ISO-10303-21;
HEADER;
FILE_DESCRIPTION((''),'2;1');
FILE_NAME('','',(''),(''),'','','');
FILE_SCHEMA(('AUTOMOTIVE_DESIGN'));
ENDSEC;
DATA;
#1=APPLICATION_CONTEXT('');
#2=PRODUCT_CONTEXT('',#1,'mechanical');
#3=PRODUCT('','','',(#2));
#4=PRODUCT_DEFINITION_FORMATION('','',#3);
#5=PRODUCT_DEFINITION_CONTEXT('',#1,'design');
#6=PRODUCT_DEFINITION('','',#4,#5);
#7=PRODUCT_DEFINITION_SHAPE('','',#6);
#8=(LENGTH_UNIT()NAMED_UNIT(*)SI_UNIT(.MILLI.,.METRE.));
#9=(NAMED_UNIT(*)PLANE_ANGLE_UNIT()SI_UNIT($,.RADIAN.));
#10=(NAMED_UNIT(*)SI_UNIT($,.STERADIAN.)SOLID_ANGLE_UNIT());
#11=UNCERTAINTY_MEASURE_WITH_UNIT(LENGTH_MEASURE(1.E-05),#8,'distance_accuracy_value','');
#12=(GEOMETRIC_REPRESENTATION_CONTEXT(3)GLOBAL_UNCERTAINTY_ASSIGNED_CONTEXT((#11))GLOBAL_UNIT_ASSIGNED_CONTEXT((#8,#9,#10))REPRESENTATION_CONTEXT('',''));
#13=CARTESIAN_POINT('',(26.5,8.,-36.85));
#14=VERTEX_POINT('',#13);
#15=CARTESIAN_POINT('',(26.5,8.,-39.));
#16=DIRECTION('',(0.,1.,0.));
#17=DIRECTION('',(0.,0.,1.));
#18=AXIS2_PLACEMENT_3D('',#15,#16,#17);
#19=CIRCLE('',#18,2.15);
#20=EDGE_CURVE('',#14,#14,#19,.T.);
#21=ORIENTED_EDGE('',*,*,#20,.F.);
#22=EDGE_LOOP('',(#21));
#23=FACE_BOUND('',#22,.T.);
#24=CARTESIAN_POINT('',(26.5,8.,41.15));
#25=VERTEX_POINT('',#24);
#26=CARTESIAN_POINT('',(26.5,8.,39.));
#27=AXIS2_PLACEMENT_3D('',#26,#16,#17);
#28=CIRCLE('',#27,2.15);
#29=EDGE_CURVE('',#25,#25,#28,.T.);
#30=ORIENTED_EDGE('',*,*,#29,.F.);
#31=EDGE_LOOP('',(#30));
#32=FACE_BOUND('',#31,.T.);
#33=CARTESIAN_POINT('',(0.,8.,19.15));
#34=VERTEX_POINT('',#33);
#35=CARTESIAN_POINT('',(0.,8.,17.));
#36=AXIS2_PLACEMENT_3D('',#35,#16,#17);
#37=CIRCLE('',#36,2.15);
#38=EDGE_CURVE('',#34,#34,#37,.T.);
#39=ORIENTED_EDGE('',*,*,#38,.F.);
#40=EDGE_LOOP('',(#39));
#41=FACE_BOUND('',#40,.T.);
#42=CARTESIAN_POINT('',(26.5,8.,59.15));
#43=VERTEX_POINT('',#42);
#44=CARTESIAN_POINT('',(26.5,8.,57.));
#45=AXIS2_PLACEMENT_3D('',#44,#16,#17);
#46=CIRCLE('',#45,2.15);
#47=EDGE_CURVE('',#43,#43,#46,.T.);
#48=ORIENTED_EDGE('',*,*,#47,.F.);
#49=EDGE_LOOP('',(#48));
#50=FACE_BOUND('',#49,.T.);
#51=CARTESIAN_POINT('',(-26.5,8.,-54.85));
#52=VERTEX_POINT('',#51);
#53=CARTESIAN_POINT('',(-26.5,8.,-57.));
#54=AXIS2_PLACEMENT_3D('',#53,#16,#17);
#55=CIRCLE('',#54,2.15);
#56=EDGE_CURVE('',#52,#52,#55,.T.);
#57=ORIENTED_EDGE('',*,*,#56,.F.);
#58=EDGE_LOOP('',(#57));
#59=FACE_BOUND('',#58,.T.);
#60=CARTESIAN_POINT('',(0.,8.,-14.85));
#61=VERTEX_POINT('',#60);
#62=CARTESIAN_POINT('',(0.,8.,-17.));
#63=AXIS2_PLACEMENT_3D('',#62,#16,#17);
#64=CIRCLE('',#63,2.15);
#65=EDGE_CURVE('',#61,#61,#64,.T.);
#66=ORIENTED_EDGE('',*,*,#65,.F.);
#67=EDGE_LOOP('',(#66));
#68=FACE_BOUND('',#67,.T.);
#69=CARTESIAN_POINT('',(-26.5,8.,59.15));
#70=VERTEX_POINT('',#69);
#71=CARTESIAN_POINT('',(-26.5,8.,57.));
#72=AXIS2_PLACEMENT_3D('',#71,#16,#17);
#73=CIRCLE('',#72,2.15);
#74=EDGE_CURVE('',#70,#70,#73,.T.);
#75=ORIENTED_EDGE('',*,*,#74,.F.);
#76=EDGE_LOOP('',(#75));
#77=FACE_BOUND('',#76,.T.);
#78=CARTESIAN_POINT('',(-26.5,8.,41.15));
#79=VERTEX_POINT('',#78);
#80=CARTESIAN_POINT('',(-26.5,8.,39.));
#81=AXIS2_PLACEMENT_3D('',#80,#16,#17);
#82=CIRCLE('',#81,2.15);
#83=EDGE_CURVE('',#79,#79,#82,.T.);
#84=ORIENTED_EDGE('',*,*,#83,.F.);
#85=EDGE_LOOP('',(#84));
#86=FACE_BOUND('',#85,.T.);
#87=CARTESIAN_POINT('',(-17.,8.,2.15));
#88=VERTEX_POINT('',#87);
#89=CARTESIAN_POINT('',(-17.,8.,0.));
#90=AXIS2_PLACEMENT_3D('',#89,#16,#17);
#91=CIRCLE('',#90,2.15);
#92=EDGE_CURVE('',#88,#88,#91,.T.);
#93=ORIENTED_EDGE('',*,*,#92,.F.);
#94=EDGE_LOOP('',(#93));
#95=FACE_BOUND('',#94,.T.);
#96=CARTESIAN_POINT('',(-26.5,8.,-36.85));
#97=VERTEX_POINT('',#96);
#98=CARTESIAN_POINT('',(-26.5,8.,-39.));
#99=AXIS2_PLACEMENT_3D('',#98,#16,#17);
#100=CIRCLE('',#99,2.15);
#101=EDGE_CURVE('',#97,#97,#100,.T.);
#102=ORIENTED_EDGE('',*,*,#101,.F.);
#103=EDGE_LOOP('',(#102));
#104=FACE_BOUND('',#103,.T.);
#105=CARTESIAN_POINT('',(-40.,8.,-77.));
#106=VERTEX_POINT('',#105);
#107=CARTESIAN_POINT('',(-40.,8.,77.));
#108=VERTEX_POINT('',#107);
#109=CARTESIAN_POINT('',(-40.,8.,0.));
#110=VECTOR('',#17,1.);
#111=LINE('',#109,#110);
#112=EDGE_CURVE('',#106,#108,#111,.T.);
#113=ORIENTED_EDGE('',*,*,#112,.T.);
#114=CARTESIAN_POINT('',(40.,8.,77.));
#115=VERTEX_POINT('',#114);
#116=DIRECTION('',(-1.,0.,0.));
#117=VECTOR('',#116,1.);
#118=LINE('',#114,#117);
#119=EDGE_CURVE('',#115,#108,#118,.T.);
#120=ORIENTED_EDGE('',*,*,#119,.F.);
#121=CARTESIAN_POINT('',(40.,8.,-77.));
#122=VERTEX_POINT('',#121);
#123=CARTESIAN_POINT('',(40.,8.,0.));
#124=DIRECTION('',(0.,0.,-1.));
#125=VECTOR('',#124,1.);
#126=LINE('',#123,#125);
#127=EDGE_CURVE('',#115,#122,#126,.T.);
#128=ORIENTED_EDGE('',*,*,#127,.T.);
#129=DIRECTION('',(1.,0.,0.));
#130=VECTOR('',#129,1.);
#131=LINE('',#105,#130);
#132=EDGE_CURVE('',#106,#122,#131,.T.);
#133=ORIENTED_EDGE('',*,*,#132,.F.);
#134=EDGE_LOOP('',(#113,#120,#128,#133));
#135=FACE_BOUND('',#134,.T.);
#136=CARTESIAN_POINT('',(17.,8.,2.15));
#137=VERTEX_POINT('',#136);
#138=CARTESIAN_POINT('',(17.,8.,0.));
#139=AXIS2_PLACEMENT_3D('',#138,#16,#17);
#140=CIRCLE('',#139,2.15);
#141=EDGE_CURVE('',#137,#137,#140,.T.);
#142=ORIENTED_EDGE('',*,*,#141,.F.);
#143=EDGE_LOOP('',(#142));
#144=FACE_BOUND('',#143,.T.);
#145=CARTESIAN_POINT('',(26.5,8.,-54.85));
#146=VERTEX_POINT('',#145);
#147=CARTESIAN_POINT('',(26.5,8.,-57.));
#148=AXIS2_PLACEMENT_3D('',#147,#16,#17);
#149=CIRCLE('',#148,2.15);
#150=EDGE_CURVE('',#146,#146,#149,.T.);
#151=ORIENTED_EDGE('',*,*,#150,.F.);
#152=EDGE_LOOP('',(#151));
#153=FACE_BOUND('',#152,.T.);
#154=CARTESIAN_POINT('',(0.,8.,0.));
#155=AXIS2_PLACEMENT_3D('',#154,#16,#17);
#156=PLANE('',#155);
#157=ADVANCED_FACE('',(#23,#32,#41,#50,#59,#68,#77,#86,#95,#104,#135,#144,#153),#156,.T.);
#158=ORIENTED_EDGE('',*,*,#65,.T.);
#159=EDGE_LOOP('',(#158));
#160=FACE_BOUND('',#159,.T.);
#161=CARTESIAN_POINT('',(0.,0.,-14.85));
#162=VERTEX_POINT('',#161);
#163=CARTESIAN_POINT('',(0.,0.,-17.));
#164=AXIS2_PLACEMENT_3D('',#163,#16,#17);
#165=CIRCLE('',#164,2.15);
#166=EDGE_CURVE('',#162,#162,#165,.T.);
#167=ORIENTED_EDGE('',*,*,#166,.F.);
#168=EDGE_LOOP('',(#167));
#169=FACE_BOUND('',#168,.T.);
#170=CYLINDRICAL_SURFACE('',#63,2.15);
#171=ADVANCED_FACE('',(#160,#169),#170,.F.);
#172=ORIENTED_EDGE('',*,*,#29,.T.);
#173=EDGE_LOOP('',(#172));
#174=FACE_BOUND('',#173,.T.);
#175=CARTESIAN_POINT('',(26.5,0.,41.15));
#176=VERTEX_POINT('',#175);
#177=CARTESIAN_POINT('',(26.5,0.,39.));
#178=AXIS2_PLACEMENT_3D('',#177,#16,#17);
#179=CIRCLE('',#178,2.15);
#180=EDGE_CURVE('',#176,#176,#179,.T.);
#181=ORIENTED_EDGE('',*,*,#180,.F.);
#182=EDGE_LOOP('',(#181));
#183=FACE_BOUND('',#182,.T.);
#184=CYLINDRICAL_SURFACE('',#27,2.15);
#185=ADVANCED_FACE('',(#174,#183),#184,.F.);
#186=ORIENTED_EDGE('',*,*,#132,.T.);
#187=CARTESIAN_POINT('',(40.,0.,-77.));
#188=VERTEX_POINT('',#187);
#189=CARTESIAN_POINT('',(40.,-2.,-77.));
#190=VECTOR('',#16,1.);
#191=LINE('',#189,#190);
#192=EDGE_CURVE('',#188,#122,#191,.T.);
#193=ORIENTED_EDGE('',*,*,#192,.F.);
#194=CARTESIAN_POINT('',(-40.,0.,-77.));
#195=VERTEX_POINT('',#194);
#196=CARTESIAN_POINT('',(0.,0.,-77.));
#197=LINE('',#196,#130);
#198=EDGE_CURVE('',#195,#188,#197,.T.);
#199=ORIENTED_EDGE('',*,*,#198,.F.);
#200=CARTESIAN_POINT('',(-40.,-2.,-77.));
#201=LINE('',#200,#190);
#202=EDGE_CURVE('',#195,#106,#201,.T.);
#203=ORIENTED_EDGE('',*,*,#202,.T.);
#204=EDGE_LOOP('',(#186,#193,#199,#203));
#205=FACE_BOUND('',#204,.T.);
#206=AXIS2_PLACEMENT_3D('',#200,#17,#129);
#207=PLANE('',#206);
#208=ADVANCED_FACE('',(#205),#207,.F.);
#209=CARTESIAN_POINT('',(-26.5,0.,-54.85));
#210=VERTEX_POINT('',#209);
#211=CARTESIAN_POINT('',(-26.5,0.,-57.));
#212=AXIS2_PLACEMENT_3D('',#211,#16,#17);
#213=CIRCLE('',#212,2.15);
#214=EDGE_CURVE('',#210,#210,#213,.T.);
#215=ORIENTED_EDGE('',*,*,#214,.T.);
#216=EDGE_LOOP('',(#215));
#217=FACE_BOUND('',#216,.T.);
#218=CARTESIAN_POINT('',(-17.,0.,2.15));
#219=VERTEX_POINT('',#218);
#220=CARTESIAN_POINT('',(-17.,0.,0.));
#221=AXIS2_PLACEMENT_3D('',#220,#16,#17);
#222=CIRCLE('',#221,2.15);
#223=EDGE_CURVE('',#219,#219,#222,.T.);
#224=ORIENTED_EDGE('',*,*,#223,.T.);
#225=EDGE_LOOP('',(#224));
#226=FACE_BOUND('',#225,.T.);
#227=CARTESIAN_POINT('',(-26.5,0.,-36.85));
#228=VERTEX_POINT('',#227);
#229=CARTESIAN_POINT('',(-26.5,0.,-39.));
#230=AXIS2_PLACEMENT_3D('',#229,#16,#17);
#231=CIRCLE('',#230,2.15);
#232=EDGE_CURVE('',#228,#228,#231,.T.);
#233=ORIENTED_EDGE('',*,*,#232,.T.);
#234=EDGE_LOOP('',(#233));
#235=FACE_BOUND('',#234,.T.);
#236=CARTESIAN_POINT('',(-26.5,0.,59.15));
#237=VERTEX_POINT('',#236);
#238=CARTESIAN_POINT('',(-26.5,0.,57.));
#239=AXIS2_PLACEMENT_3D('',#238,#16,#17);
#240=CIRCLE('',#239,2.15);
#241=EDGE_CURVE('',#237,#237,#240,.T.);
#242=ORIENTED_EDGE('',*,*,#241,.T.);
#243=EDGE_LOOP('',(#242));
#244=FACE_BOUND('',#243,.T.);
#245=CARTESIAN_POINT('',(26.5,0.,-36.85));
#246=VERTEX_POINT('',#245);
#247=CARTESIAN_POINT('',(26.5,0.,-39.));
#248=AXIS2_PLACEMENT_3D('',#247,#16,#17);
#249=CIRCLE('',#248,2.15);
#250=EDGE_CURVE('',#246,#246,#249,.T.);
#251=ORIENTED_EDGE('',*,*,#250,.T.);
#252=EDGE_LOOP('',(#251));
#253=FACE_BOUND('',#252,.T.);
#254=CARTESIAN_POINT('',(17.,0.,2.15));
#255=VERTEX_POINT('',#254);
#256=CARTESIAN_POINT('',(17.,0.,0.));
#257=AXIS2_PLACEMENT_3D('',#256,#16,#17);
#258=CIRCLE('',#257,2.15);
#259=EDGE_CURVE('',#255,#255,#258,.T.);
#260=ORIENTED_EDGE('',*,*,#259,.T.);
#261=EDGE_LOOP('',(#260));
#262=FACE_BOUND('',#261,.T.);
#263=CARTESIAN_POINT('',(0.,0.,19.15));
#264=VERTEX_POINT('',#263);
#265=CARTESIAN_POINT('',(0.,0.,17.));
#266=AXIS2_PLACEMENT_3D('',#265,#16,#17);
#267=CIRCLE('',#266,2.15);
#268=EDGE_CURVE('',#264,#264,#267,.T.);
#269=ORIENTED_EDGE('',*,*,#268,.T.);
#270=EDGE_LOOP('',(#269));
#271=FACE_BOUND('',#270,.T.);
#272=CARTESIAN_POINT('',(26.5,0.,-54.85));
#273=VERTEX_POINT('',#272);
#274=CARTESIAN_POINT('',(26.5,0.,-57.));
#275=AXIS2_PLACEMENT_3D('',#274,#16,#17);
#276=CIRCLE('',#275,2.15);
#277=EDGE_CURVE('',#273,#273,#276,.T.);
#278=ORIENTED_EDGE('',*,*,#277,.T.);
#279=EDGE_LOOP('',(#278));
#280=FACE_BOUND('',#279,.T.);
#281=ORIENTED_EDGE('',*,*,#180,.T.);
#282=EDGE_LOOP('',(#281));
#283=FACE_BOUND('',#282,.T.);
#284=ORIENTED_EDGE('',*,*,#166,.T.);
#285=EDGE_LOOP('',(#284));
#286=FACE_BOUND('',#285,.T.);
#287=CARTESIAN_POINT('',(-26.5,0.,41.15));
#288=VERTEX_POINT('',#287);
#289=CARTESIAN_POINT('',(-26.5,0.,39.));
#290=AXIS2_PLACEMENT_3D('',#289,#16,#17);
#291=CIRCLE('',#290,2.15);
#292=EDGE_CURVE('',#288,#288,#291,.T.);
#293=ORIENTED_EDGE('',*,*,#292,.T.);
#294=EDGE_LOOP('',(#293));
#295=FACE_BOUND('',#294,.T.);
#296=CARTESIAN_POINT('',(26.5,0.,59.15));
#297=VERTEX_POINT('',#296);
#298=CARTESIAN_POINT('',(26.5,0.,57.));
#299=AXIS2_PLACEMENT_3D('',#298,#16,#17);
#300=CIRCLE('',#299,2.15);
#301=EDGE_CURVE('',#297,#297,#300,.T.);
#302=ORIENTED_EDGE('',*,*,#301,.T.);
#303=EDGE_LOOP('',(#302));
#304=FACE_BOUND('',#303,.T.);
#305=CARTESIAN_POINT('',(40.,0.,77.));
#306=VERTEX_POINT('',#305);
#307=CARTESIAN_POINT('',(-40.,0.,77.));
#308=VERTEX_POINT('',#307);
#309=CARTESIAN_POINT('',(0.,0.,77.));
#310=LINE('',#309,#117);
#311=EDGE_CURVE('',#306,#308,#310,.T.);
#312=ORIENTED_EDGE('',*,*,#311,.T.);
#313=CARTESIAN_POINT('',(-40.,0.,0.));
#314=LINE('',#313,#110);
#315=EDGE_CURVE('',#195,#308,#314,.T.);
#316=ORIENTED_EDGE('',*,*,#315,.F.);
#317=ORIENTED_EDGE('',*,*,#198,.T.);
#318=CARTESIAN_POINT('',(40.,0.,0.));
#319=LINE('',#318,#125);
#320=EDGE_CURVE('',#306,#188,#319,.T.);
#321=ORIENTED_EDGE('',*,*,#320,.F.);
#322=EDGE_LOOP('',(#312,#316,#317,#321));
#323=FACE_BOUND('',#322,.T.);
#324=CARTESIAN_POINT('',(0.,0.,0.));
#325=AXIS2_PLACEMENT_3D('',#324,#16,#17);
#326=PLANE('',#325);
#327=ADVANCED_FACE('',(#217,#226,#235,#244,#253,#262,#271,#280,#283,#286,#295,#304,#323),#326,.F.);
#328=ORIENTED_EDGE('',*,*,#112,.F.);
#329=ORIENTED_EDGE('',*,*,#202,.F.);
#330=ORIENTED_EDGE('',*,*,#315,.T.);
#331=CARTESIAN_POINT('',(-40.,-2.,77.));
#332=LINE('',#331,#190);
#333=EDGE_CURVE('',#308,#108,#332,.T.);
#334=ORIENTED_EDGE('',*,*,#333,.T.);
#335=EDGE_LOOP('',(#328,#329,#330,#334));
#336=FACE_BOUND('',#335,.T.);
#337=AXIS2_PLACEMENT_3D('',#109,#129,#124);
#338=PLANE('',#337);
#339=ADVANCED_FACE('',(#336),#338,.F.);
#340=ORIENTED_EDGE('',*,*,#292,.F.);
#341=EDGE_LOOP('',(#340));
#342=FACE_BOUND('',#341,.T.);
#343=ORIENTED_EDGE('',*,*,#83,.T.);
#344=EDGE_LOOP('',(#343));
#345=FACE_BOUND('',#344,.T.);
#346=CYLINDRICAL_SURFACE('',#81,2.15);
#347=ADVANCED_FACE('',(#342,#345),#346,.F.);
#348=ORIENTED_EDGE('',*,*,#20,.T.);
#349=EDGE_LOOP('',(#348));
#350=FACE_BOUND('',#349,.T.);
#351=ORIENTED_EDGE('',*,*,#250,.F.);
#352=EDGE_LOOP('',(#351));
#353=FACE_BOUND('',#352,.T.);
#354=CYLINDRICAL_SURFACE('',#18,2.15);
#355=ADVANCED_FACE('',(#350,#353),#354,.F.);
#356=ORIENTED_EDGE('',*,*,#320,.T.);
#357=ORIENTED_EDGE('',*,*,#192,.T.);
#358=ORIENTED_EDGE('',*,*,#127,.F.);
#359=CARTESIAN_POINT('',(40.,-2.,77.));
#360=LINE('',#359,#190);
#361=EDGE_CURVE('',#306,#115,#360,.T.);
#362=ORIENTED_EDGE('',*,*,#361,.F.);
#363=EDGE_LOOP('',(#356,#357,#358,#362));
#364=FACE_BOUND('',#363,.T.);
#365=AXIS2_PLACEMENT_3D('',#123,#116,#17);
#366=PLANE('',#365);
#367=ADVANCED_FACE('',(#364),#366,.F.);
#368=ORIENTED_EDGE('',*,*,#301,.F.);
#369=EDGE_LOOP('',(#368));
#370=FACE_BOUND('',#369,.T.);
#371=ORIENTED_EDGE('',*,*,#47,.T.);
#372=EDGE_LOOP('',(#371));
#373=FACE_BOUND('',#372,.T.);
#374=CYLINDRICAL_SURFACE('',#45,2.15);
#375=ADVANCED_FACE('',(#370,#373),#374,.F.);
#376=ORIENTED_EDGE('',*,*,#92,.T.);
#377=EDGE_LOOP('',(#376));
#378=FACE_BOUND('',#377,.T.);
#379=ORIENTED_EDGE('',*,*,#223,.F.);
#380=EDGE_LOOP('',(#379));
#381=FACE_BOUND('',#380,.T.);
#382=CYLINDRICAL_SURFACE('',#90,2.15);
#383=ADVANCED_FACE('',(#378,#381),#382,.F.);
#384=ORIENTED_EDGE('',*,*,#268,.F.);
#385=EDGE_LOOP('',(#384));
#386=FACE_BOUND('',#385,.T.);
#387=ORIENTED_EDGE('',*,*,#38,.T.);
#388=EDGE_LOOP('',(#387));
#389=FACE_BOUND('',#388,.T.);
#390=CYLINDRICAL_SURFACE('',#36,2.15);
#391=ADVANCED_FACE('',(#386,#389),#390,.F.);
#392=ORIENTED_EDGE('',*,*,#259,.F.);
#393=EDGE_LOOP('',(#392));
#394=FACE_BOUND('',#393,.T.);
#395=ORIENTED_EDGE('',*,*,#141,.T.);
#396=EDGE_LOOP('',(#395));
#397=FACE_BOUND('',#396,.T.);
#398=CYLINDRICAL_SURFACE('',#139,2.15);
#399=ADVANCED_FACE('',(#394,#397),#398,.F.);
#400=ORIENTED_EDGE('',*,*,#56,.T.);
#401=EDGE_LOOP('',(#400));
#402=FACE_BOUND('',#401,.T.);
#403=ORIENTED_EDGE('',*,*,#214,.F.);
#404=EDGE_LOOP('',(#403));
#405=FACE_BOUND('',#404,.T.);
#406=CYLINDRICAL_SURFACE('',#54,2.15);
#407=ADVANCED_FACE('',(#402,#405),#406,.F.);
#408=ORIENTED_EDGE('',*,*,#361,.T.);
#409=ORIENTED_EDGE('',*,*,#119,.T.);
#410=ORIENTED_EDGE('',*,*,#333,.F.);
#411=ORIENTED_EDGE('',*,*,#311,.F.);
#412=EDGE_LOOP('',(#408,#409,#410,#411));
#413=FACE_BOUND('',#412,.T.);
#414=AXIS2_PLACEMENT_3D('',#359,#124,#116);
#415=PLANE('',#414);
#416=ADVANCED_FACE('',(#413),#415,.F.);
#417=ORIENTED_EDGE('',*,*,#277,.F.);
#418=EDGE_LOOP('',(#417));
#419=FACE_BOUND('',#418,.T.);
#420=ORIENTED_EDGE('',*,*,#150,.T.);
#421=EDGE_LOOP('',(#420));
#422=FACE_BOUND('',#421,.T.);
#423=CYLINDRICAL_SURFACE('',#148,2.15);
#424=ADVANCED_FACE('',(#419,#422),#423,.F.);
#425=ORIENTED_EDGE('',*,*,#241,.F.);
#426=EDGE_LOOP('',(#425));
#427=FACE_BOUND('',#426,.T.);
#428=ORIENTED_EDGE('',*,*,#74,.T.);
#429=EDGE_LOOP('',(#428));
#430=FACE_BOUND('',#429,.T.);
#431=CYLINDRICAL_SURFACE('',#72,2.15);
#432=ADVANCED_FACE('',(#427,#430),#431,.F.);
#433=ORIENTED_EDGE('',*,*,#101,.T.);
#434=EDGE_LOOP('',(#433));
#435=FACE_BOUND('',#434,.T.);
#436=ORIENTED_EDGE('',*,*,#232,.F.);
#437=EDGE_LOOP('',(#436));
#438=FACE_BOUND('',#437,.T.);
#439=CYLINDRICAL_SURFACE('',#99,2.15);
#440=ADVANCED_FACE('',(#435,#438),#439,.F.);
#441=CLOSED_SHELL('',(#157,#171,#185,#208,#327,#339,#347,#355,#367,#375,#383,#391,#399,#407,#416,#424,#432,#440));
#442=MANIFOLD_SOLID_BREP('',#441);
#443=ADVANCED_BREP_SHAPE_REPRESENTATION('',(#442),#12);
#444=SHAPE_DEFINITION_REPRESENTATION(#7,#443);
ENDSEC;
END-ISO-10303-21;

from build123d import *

# Parameters (mm, degrees)
BOSS_EXTRUDE1_DEPTH  = 8
M4_CLEARANCE_HOLE1_D = 4.3
SKETCH4_W            = 80
SKETCH4_H            = 3.5
CUT_EXTRUDE1_DEPTH   = 10
M4_CLEARANCE_HOLE2_D = 4.3


with BuildPart() as part:
    # Sketch1 → Boss-Extrude1 (new body)
    with BuildSketch(Plane(origin=(0, 0, 0), x_dir=(1, 0, 0), z_dir=(0, 1, 0))):
        Polygon((-40, 80.5), (-40, 0), (-40, -80.5), (40, -80.5), (40, 80.5), align=None)
    extrude(amount=BOSS_EXTRUDE1_DEPTH)

    # M4 Clearance Hole1 (through all)
    with Locations(Plane(origin=(0, 8, 0), x_dir=(1, 0, 0), z_dir=(0, 1, 0))):
        with Locations((-26.5, 57), (26.5, 57), (-26.5, 39), (26.5, 39), (26.5, -39), (-26.5, -39), (26.5, -57), (-26.5, -57)):
            Hole(M4_CLEARANCE_HOLE1_D / 2)

    # Sketch4 → Cut-Extrude1 (cut)
    with BuildSketch(Plane(origin=(0, 8, 0), x_dir=(1, 0, 0), z_dir=(0, 1, 0))):
        with Locations((0, 78.75)):
            Rectangle(SKETCH4_W, SKETCH4_H)
        with Locations((0, -78.75)):
            Rectangle(SKETCH4_W, SKETCH4_H)
    extrude(amount=-CUT_EXTRUDE1_DEPTH, mode=Mode.SUBTRACT)

    # M4 Clearance Hole2 (through all)
    with Locations(Plane(origin=(0, 8, 0), x_dir=(1, 0, 0), z_dir=(0, 1, 0))):
        with Locations((-17, 0), (0, 17), (17, 0), (0, -17)):
            Hole(M4_CLEARANCE_HOLE2_D / 2)


solid = part.part
